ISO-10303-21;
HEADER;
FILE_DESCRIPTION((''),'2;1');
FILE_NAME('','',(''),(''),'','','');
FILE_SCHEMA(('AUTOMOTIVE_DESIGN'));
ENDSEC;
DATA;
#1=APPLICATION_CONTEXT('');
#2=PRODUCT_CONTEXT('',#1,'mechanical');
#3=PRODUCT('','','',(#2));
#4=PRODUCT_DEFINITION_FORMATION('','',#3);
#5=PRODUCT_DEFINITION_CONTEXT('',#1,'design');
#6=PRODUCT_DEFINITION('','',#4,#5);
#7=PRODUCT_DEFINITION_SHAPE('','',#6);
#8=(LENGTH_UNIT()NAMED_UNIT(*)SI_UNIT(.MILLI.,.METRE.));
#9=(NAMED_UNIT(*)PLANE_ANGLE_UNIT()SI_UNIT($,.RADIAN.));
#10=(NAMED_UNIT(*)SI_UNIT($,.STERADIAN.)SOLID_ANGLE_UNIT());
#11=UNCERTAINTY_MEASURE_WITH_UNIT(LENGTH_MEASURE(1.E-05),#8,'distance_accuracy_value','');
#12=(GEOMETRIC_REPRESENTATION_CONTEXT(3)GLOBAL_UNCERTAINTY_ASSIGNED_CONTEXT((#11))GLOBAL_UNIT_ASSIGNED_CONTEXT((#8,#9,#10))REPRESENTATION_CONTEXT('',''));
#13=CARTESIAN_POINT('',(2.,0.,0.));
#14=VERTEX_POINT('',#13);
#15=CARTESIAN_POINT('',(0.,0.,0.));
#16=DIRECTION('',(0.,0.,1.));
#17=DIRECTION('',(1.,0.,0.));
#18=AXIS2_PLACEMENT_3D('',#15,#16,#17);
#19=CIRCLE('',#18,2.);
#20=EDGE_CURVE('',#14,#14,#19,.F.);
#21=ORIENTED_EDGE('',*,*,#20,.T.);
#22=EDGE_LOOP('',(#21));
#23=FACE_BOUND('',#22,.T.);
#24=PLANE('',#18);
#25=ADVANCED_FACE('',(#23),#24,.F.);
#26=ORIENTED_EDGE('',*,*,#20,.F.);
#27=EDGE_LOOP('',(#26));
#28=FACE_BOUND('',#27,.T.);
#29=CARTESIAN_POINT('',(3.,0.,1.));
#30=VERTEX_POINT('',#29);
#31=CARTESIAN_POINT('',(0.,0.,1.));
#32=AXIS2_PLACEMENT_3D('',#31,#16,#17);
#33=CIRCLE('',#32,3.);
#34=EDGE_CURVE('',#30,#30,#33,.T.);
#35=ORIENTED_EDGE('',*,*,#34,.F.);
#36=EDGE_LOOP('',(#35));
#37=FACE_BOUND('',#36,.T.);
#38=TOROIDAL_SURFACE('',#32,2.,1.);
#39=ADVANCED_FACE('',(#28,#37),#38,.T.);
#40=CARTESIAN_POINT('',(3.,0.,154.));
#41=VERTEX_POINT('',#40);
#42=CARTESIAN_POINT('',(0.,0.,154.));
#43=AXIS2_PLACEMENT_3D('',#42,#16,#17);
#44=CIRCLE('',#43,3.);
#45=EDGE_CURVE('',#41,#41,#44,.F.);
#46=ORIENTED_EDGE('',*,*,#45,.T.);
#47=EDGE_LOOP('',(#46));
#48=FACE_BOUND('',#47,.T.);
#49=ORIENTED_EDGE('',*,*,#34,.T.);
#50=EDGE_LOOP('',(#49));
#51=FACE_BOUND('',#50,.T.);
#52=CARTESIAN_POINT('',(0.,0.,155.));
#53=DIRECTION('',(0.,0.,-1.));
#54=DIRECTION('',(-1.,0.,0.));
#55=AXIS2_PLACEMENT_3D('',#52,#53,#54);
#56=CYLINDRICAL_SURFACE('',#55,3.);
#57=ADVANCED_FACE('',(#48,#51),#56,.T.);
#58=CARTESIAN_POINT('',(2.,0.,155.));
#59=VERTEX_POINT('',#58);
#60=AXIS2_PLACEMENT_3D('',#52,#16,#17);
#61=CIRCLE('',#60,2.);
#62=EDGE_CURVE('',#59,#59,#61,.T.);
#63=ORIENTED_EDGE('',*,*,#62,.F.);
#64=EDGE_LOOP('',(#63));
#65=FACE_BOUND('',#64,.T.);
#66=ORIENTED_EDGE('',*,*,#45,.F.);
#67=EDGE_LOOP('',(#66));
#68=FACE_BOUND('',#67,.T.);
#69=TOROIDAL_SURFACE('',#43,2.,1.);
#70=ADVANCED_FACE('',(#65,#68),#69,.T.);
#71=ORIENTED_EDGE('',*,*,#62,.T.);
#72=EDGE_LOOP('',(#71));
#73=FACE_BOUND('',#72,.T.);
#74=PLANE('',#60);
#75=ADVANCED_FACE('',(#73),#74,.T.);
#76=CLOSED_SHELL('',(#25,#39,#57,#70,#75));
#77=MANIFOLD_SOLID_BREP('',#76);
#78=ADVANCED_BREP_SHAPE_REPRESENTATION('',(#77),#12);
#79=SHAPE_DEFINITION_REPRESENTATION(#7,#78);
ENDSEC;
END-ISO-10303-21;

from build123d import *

# Parameters (mm, degrees)
SKIZZE1_R     = 3
BOLZEN_DEPTH  = 155
VERRUNDUNG1_R = 1


with BuildPart() as part:
    # Skizze1 → Bolzen (new body)
    with BuildSketch(Plane.XY):
        Circle(SKIZZE1_R)
    extrude(amount=BOLZEN_DEPTH)

    # Verrundung1
    verrundung1_edges = [part.edges().sort_by_distance(p)[0] for p in [
        (-3, 0, 0),
        (-3, 0, 155),
    ]]
    fillet(verrundung1_edges, radius=VERRUNDUNG1_R)


solid = part.part
